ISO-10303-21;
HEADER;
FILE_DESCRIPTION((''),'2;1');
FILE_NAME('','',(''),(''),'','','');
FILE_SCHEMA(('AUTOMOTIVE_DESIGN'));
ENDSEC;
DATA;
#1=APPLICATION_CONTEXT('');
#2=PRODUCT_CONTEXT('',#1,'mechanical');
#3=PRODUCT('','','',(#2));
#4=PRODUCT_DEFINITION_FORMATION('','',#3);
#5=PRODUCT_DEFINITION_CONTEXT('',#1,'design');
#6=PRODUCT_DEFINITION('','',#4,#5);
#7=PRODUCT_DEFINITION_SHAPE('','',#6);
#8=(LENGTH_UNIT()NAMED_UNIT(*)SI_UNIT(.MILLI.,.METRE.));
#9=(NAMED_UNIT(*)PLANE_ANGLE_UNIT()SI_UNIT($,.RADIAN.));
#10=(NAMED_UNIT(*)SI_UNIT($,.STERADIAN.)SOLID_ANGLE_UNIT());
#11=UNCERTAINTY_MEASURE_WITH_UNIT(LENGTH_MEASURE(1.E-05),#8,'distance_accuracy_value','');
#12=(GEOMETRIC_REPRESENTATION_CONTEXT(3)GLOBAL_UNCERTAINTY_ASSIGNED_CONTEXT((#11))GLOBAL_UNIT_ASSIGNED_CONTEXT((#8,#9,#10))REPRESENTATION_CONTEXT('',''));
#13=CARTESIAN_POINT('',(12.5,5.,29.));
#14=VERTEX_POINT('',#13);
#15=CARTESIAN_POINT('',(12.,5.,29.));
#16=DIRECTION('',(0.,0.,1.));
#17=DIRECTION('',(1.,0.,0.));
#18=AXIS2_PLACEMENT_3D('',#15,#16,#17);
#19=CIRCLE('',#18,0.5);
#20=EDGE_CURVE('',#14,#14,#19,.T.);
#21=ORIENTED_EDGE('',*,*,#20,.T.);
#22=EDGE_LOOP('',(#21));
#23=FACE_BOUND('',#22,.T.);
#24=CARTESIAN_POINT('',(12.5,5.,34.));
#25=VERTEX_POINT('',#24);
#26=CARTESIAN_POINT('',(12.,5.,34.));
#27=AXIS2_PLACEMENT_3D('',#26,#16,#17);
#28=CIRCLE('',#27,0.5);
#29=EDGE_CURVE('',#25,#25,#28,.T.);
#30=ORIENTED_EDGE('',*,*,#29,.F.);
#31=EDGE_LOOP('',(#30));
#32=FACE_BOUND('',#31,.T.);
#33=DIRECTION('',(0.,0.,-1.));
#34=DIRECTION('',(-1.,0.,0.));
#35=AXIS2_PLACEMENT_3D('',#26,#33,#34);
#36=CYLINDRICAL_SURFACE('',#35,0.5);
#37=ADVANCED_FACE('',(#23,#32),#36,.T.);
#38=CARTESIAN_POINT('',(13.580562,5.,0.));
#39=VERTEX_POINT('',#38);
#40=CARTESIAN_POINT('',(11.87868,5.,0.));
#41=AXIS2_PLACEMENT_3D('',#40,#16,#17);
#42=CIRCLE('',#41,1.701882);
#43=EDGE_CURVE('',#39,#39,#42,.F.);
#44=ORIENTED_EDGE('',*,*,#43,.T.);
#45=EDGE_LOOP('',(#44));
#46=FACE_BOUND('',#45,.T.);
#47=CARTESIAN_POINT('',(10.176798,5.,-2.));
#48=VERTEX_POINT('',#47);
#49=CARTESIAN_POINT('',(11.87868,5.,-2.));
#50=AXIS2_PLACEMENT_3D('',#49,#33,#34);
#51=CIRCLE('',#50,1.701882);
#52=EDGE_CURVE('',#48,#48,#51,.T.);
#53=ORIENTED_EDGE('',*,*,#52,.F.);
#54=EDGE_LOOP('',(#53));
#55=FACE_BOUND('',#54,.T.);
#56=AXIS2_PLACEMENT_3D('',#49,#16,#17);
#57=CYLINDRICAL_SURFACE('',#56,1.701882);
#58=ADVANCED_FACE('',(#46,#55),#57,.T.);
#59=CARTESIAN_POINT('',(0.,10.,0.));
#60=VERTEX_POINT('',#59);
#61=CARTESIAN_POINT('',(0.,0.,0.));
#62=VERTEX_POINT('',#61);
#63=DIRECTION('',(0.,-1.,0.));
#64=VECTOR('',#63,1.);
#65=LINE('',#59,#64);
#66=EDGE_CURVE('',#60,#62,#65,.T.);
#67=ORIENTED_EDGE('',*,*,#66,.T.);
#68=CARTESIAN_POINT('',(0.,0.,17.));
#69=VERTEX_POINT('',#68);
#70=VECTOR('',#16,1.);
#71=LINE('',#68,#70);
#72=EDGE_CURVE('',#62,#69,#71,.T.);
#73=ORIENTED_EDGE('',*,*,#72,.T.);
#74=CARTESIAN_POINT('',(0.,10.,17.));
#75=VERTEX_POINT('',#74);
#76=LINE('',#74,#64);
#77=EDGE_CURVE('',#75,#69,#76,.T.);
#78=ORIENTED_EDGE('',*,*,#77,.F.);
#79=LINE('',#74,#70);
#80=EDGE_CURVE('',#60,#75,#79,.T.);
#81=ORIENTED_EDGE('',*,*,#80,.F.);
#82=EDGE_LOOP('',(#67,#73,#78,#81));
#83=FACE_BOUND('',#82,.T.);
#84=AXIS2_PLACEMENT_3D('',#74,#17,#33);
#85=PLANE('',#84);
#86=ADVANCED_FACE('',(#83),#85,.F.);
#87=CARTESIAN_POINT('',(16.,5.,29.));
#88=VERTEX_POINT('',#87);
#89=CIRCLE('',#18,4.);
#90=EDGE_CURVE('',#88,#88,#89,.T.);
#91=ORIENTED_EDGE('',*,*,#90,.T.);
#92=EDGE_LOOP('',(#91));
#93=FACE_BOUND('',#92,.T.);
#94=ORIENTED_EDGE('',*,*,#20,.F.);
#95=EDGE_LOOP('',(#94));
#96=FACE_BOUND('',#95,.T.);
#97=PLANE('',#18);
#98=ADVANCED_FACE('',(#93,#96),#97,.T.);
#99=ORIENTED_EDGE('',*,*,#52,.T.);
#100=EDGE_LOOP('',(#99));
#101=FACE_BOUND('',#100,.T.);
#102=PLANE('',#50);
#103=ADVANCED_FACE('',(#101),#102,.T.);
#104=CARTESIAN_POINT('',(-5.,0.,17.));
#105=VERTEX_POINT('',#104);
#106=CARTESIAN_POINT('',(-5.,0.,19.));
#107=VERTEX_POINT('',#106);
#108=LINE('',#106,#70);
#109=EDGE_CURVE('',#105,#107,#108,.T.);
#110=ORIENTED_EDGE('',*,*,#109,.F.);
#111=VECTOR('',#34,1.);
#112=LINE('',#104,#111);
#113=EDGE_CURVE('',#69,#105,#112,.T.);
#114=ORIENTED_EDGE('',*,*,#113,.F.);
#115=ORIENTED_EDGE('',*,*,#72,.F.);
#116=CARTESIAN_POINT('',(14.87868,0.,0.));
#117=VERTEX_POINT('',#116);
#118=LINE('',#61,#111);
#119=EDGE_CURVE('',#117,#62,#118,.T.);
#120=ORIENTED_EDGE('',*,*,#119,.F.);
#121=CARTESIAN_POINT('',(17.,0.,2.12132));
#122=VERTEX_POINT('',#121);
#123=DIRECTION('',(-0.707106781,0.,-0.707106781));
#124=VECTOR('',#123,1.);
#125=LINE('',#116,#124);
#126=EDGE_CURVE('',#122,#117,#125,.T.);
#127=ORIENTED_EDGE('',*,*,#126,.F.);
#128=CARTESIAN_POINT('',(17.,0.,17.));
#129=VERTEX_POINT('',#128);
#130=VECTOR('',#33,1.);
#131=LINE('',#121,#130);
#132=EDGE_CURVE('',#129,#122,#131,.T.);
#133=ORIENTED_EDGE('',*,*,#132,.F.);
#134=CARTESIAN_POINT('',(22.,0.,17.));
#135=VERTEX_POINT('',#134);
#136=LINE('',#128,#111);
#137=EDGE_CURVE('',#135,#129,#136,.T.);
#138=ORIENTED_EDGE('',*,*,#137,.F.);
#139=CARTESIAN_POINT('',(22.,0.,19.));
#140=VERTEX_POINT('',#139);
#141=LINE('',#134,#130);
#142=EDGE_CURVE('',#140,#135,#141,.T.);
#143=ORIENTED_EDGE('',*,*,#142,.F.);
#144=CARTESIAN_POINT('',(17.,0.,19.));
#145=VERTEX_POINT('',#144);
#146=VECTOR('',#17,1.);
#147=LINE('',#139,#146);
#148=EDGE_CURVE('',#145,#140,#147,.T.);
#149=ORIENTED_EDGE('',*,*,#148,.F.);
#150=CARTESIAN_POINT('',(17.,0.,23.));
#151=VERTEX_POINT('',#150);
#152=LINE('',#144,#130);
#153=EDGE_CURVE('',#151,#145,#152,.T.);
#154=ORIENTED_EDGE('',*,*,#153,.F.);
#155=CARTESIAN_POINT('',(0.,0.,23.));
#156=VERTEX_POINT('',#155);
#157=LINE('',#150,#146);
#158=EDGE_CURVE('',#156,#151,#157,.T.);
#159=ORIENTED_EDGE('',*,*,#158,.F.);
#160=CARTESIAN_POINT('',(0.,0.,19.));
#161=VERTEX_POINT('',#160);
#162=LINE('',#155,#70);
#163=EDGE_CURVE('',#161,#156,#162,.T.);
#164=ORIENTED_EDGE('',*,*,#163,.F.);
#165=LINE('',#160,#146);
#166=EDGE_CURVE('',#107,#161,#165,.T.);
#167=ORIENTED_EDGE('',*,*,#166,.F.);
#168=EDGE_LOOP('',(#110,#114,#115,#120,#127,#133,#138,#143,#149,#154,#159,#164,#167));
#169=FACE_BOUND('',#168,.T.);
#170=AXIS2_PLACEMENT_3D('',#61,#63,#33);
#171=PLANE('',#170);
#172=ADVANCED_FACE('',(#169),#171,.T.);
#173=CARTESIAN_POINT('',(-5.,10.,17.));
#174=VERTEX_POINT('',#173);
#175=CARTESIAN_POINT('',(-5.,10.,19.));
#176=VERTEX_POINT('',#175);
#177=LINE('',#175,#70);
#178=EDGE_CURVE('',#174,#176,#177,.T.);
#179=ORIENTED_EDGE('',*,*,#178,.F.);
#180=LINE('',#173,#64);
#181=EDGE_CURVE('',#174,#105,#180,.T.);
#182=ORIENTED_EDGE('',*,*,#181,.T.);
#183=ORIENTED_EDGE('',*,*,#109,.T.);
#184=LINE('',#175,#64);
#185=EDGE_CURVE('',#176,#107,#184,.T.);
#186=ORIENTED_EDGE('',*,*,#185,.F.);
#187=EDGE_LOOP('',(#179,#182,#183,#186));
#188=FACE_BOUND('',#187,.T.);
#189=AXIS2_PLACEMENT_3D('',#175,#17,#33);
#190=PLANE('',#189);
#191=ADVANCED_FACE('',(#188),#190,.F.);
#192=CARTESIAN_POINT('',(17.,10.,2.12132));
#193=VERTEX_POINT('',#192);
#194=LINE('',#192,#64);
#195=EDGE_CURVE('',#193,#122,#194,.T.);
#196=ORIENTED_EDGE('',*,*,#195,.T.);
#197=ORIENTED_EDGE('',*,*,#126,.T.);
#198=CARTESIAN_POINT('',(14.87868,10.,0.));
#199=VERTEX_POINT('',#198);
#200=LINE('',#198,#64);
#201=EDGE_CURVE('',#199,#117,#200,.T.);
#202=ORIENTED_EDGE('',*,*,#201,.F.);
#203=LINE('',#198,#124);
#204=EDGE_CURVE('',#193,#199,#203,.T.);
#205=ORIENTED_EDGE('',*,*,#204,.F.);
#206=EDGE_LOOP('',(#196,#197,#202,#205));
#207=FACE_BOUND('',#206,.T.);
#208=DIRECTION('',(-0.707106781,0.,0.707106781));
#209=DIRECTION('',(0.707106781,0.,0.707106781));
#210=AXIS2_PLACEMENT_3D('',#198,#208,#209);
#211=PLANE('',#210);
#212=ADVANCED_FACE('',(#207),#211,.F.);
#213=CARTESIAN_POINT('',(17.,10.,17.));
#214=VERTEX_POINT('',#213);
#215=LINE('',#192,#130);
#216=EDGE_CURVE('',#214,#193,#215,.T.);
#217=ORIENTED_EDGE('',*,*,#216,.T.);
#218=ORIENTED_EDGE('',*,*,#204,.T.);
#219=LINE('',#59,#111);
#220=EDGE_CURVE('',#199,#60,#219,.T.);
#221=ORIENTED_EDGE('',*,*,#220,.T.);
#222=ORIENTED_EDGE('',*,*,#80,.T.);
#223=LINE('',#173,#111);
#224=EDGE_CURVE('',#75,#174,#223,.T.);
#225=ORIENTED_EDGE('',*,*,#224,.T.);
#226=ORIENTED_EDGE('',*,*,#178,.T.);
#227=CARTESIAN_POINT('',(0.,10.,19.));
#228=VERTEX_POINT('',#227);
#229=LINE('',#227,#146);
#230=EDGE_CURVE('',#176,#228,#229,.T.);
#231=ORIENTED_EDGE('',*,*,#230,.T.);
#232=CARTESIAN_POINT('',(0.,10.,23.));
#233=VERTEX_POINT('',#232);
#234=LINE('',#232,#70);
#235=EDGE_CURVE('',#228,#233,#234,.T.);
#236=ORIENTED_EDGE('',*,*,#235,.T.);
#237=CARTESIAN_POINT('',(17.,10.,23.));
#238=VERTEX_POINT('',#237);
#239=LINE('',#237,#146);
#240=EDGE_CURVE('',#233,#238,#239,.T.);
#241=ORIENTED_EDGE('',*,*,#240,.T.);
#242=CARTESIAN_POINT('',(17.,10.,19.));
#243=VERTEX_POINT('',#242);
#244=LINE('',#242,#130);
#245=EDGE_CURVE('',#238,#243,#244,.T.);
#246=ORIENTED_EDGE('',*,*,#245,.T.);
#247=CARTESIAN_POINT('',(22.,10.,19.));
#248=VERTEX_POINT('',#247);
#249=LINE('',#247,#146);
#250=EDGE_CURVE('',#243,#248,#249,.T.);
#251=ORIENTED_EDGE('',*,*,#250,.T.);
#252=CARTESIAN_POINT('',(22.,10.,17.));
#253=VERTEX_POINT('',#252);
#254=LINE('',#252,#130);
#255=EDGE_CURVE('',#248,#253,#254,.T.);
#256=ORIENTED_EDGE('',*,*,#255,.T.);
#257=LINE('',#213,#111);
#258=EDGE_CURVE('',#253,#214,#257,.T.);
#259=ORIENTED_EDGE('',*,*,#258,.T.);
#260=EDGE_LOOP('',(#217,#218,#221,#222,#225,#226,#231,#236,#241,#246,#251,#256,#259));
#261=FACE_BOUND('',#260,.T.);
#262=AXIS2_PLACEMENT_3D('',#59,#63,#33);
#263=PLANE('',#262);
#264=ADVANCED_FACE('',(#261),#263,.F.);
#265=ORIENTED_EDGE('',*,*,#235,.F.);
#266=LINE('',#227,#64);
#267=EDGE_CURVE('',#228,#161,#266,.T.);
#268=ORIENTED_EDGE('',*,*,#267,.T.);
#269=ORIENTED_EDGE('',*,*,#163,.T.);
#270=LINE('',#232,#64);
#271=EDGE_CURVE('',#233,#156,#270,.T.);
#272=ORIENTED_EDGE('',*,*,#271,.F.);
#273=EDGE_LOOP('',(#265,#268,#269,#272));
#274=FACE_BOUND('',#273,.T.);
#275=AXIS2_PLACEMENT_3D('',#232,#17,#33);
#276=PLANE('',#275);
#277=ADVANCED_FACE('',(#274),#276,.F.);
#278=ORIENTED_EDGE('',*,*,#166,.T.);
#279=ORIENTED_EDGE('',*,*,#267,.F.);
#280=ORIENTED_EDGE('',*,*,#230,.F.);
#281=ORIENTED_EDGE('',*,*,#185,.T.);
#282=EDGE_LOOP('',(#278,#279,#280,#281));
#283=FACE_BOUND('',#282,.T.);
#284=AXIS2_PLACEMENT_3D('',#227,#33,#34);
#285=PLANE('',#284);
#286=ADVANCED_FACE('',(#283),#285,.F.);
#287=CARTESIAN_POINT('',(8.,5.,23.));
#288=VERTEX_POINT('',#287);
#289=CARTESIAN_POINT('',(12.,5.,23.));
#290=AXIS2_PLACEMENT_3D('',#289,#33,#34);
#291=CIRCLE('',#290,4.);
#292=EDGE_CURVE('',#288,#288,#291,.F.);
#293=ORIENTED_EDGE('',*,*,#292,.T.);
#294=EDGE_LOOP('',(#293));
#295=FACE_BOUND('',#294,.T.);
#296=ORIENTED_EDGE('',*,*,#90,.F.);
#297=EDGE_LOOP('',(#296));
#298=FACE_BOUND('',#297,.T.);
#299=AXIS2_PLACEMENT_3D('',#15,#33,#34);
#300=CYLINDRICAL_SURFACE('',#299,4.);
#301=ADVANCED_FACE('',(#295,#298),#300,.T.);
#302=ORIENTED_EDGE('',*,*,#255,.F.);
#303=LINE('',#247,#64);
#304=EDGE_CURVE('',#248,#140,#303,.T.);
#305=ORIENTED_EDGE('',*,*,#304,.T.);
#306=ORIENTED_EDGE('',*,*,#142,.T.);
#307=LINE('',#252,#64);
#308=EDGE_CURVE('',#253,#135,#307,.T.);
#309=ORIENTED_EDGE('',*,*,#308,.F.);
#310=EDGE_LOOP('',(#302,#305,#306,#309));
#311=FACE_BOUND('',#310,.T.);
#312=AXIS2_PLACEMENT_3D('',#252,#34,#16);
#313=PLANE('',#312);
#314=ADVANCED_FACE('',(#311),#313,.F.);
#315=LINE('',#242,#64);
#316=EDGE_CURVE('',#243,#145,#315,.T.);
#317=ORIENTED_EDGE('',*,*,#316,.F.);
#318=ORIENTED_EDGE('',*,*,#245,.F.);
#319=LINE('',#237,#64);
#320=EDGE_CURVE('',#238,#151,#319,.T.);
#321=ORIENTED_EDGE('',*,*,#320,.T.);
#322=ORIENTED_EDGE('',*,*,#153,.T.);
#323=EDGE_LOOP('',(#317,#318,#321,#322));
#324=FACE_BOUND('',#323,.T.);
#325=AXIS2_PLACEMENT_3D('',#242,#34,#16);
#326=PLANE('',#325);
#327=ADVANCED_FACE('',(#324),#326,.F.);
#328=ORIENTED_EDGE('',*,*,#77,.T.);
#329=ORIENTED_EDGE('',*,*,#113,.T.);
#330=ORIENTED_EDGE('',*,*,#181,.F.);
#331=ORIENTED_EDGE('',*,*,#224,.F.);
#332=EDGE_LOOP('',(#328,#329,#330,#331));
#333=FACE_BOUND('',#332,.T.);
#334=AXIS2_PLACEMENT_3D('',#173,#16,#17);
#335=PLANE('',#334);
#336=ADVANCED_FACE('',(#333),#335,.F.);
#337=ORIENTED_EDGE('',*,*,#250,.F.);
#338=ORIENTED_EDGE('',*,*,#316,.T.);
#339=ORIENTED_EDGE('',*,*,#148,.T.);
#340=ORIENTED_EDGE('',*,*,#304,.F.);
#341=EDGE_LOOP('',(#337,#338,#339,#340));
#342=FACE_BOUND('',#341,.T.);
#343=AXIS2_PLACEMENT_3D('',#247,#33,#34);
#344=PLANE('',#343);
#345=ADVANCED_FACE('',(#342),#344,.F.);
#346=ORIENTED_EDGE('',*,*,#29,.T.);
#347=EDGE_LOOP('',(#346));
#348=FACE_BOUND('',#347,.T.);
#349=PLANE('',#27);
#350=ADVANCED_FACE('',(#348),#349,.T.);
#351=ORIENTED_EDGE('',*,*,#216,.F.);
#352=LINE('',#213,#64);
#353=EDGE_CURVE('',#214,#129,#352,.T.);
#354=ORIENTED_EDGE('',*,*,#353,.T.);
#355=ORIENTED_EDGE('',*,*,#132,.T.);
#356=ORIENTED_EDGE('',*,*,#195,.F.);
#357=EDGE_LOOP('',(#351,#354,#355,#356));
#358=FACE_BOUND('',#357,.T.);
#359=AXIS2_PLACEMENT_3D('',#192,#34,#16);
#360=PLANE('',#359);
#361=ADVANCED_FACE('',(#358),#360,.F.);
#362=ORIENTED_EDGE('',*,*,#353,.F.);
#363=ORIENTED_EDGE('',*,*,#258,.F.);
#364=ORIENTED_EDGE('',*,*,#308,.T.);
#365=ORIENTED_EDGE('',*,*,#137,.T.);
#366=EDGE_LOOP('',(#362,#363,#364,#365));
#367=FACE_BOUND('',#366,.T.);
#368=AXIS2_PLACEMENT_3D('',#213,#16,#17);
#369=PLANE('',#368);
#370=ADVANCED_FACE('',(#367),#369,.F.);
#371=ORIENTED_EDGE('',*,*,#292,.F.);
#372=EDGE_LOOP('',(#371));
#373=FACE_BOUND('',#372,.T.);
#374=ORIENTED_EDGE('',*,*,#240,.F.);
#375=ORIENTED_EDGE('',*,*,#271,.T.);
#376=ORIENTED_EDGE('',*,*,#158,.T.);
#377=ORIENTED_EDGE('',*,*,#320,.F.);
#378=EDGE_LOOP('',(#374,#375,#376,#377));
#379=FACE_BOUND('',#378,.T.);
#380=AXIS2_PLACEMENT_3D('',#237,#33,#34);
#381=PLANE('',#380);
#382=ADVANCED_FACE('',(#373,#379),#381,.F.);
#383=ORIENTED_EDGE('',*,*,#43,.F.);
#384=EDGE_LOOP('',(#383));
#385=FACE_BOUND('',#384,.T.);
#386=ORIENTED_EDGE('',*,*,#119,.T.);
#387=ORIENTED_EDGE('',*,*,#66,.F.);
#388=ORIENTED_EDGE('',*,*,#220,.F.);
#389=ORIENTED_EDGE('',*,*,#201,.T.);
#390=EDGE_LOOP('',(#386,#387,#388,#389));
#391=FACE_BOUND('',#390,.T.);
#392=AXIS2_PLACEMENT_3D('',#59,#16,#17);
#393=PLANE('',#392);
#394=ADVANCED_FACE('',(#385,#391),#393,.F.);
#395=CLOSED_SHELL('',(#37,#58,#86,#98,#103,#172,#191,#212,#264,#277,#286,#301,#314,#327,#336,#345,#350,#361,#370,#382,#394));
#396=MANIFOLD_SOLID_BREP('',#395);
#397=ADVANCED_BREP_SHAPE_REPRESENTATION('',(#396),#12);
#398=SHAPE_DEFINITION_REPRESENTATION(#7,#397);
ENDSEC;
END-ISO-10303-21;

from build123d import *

# Parameters (mm, degrees)
BOSS_EXTRUDE1_DEPTH = 10
SKETCH2_R           = 4
BOSS_EXTRUDE2_DEPTH = 6
SKETCH3_R           = 0.5
BOSS_EXTRUDE3_DEPTH = 5
SKETCH4_R           = 1.701881869
BOSS_EXTRUDE4_DEPTH = 2


with BuildPart() as part:
    # Sketch1 → Boss-Extrude1 (new body)
    with BuildSketch(Plane(origin=(0, 0, 0), x_dir=(1, 0, 0), z_dir=(0, 1, 0))):
        Polygon((0, 0), (14.878679656, 0), (17, -2.121320344), (17, -17), (22, -17), (22, -19), (17, -19), (17, -23), (0, -23), (0, -19), (-5, -19), (-5, -17), (0, -17), align=None)
    extrude(amount=BOSS_EXTRUDE1_DEPTH)

    # Sketch2 → Boss-Extrude2 (add)
    with BuildSketch(Plane.XY.offset(23)):
        with Locations((12, 5)):
            Circle(SKETCH2_R)
    extrude(amount=BOSS_EXTRUDE2_DEPTH)

    # Sketch3 → Boss-Extrude3 (add)
    with BuildSketch(Plane.XY.offset(29)):
        with Locations((12, 5)):
            Circle(SKETCH3_R)
    extrude(amount=BOSS_EXTRUDE3_DEPTH)

    # Sketch4 → Boss-Extrude4 (add)
    with BuildSketch(Plane(origin=(0, 0, 0), x_dir=(-1, 0, 0), z_dir=(0, 0, -1))):
        with Locations((-11.878679656, 5)):
            Circle(SKETCH4_R)
    extrude(amount=BOSS_EXTRUDE4_DEPTH)


solid = part.part
